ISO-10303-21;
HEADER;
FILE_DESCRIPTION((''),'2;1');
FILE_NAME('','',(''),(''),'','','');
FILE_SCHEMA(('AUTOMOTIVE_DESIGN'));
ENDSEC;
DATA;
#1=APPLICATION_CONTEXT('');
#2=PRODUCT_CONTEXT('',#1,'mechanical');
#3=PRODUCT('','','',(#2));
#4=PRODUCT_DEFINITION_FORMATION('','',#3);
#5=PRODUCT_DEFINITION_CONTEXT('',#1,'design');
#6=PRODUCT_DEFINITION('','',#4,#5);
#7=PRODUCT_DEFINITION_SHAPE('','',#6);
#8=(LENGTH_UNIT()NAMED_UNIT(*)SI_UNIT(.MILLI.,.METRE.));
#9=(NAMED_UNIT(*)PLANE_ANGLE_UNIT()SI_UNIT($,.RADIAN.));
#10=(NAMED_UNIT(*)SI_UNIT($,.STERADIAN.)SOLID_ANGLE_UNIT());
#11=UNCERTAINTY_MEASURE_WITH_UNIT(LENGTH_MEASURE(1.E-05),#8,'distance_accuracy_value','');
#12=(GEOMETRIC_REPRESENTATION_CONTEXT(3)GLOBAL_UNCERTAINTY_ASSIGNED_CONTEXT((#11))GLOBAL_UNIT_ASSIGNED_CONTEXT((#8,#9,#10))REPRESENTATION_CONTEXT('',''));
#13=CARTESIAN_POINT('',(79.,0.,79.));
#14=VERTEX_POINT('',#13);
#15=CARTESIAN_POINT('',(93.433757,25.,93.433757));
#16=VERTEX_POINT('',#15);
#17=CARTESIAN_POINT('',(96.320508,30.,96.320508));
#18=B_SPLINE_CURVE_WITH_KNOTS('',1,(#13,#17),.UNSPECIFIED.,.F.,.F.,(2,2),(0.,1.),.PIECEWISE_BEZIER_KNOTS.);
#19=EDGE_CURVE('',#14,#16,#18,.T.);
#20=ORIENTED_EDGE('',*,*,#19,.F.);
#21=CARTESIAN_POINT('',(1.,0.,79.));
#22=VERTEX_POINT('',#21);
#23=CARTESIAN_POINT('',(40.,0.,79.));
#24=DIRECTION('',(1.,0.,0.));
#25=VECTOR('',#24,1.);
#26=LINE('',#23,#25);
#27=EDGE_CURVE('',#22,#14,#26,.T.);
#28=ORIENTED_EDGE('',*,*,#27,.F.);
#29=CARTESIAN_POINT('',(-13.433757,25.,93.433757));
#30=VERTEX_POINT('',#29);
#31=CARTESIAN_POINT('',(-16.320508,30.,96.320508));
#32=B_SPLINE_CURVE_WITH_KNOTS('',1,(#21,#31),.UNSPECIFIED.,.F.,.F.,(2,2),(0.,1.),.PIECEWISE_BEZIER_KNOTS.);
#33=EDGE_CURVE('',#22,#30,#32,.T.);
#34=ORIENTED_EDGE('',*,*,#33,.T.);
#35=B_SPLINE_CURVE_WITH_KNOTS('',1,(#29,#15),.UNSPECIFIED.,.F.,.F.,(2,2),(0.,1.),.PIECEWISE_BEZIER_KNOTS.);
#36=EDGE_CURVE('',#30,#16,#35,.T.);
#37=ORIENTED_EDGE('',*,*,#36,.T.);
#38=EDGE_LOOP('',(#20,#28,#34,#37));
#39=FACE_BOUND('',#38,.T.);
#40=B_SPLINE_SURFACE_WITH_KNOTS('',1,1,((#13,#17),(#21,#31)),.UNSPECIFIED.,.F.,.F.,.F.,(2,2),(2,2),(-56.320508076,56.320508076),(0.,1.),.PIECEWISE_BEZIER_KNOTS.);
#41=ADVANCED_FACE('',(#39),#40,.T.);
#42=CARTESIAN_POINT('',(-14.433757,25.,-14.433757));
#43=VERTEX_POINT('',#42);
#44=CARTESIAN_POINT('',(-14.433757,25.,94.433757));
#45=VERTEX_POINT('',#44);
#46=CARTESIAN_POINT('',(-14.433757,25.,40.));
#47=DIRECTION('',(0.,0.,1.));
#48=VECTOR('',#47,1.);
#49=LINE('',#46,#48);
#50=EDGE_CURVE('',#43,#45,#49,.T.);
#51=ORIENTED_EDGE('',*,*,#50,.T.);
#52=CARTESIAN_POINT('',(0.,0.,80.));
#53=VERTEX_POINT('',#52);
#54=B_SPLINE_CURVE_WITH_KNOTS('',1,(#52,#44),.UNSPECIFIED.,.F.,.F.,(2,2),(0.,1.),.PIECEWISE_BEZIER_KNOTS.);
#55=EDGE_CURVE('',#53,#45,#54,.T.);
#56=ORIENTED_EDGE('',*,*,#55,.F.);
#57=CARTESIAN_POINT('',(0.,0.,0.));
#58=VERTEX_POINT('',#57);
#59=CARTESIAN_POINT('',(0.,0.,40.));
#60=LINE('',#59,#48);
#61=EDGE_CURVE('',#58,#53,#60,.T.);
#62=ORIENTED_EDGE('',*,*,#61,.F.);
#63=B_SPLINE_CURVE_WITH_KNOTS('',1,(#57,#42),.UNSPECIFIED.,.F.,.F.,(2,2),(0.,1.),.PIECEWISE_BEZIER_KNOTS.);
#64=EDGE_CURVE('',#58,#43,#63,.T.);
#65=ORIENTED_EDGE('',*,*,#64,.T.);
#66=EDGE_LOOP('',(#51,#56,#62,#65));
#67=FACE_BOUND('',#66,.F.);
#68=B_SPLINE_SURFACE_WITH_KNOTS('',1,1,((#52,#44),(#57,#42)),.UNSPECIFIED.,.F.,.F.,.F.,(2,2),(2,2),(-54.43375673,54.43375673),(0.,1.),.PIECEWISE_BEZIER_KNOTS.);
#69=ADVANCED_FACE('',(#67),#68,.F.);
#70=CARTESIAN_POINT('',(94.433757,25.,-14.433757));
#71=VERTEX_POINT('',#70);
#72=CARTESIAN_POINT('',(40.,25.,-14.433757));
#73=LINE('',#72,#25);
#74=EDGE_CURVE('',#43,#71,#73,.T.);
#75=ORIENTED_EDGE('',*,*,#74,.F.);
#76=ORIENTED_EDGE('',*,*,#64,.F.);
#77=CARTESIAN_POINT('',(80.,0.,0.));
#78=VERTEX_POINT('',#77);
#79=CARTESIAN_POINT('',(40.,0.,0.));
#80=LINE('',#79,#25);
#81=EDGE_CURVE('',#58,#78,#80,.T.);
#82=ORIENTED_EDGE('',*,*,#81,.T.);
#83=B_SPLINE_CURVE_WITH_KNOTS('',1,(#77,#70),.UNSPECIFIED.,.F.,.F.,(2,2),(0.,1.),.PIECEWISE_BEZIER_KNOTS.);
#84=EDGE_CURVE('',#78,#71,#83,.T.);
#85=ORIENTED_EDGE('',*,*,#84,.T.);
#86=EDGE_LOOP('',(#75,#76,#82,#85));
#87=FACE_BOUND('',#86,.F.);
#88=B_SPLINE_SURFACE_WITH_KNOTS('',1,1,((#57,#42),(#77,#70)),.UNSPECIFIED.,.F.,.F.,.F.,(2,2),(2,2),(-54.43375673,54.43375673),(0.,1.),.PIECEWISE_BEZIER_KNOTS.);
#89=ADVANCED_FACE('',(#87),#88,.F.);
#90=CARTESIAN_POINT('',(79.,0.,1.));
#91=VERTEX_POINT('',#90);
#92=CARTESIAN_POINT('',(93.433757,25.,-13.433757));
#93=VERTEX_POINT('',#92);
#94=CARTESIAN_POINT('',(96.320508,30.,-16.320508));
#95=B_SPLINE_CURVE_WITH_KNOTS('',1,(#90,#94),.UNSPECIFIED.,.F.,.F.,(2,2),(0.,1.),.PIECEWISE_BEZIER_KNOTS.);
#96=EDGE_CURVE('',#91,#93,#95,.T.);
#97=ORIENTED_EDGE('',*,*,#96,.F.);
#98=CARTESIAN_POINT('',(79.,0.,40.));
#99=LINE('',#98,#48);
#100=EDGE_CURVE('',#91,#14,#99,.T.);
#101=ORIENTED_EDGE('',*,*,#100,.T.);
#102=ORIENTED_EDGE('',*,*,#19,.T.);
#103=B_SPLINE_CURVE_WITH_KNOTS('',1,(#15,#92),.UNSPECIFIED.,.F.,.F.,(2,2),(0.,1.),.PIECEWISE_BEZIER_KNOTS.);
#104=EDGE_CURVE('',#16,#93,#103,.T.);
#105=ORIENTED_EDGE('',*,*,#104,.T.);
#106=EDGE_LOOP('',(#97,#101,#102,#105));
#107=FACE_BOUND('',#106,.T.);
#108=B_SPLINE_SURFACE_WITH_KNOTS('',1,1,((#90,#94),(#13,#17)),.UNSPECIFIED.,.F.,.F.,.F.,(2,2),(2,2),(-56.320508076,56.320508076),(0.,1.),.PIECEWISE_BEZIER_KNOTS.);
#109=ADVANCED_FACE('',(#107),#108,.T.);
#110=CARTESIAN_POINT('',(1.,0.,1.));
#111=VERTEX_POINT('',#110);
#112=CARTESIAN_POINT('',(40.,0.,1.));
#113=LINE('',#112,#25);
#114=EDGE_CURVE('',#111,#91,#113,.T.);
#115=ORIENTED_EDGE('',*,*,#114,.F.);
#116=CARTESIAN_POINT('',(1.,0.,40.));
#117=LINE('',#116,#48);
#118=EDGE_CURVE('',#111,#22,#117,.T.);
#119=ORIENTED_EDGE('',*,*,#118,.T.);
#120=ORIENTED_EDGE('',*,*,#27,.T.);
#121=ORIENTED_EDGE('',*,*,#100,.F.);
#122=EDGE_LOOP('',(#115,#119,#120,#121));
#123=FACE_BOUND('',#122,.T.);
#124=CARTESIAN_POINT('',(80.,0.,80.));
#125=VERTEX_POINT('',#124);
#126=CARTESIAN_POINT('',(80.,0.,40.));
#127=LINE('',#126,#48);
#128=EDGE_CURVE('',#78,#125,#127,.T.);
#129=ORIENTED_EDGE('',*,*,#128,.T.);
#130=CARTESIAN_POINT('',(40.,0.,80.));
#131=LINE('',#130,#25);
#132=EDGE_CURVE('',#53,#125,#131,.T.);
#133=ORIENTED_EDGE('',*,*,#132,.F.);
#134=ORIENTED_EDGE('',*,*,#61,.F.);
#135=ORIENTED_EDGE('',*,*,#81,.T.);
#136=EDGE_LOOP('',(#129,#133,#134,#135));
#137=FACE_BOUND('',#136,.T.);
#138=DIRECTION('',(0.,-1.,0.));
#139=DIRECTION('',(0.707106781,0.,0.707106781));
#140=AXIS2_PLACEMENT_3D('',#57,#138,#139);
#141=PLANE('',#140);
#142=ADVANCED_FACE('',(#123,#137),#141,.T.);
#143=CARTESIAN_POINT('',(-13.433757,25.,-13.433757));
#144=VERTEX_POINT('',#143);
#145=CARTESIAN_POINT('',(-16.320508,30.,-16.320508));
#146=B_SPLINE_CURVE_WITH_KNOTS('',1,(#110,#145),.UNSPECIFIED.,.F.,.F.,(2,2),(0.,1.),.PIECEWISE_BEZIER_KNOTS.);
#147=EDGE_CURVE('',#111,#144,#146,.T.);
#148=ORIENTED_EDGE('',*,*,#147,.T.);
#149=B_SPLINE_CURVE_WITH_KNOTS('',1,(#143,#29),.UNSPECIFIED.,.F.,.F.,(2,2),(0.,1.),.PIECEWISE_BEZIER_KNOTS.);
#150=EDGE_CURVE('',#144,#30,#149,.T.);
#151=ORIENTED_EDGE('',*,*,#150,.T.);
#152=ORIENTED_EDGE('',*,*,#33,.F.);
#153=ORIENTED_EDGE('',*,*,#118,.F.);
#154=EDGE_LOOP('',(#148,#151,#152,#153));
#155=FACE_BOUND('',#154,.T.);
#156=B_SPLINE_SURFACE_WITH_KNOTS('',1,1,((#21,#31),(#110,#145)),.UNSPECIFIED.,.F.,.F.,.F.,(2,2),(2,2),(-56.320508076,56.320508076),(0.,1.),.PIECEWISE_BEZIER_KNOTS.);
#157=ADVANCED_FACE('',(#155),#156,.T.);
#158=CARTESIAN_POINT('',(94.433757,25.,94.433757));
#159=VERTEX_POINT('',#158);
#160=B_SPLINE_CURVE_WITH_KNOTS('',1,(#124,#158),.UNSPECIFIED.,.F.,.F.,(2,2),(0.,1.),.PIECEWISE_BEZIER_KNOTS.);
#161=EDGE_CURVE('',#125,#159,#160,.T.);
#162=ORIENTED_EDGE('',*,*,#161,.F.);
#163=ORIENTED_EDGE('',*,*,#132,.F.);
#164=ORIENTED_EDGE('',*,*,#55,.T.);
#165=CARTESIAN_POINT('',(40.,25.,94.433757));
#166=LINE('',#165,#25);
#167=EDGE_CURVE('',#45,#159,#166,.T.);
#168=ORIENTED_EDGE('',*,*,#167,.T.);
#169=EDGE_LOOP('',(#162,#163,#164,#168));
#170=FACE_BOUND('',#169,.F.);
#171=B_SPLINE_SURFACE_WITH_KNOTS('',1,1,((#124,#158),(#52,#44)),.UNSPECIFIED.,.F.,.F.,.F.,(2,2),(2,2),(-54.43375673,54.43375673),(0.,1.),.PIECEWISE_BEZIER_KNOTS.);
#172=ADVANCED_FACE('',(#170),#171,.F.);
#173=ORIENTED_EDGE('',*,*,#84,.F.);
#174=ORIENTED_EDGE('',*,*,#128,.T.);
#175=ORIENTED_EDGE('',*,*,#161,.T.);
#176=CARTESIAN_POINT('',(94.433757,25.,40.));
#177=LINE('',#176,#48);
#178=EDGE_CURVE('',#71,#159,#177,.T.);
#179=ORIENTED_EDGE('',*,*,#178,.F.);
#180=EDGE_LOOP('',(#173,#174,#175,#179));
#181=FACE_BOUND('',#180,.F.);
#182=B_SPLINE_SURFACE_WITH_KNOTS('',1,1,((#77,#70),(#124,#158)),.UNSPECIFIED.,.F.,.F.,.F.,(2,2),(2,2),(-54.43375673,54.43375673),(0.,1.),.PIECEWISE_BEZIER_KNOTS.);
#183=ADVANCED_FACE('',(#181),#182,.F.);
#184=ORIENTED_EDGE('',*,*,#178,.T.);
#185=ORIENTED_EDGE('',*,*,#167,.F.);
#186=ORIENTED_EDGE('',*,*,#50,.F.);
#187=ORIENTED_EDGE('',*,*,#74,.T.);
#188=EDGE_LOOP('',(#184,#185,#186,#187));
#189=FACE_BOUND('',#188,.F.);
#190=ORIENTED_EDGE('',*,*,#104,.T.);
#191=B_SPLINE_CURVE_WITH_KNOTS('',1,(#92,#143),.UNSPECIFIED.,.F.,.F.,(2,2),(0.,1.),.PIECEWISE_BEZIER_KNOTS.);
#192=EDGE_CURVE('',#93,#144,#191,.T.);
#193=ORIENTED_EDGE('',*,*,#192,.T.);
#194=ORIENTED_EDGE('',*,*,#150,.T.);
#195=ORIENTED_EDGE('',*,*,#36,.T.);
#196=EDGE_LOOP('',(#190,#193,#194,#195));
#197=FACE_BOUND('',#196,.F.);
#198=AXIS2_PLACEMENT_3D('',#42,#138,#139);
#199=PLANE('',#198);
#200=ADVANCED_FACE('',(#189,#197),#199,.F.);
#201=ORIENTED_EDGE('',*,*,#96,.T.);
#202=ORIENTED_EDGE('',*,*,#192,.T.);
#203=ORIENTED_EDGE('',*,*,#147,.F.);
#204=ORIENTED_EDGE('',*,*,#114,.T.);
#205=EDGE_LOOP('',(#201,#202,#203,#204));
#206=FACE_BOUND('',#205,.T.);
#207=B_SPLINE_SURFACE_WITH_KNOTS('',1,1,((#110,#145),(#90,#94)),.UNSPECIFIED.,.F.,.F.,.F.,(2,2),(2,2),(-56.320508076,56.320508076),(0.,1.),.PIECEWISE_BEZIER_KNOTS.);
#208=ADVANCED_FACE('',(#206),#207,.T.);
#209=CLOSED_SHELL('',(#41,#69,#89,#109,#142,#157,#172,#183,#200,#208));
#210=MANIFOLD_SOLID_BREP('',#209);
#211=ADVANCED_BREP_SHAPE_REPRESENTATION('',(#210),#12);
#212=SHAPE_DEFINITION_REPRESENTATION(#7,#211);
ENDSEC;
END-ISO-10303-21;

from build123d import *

# Parameters (mm, degrees)
F0_W     = 80
F0_H     = 80
F0_W_2   = 78
F0_H_2   = 78
F1_DEPTH = 25
F1_TAPER = -30
F2_DEPTH = 30
F2_TAPER = -30


with BuildPart() as f1:
    # F0 (on Front) → F1 (new body)
    with BuildSketch(Plane.XZ):
        with Locations((40, 40)):
            Rectangle(F0_W, F0_H)
        with Locations((40, 40)):
            Rectangle(F0_W_2, F0_H_2, mode=Mode.SUBTRACT)
        with Locations((40, 40)):
            Rectangle(F0_W_2, F0_H_2)
    extrude(amount=-F1_DEPTH, taper=F1_TAPER)

    # F0 (on Front) → F2 (cut)
    with BuildSketch(Plane.XZ):
        with Locations((40, 40)):
            Rectangle(F0_W_2, F0_H_2)
    extrude(amount=-F2_DEPTH, taper=F2_TAPER, mode=Mode.SUBTRACT)


solid = f1.part
